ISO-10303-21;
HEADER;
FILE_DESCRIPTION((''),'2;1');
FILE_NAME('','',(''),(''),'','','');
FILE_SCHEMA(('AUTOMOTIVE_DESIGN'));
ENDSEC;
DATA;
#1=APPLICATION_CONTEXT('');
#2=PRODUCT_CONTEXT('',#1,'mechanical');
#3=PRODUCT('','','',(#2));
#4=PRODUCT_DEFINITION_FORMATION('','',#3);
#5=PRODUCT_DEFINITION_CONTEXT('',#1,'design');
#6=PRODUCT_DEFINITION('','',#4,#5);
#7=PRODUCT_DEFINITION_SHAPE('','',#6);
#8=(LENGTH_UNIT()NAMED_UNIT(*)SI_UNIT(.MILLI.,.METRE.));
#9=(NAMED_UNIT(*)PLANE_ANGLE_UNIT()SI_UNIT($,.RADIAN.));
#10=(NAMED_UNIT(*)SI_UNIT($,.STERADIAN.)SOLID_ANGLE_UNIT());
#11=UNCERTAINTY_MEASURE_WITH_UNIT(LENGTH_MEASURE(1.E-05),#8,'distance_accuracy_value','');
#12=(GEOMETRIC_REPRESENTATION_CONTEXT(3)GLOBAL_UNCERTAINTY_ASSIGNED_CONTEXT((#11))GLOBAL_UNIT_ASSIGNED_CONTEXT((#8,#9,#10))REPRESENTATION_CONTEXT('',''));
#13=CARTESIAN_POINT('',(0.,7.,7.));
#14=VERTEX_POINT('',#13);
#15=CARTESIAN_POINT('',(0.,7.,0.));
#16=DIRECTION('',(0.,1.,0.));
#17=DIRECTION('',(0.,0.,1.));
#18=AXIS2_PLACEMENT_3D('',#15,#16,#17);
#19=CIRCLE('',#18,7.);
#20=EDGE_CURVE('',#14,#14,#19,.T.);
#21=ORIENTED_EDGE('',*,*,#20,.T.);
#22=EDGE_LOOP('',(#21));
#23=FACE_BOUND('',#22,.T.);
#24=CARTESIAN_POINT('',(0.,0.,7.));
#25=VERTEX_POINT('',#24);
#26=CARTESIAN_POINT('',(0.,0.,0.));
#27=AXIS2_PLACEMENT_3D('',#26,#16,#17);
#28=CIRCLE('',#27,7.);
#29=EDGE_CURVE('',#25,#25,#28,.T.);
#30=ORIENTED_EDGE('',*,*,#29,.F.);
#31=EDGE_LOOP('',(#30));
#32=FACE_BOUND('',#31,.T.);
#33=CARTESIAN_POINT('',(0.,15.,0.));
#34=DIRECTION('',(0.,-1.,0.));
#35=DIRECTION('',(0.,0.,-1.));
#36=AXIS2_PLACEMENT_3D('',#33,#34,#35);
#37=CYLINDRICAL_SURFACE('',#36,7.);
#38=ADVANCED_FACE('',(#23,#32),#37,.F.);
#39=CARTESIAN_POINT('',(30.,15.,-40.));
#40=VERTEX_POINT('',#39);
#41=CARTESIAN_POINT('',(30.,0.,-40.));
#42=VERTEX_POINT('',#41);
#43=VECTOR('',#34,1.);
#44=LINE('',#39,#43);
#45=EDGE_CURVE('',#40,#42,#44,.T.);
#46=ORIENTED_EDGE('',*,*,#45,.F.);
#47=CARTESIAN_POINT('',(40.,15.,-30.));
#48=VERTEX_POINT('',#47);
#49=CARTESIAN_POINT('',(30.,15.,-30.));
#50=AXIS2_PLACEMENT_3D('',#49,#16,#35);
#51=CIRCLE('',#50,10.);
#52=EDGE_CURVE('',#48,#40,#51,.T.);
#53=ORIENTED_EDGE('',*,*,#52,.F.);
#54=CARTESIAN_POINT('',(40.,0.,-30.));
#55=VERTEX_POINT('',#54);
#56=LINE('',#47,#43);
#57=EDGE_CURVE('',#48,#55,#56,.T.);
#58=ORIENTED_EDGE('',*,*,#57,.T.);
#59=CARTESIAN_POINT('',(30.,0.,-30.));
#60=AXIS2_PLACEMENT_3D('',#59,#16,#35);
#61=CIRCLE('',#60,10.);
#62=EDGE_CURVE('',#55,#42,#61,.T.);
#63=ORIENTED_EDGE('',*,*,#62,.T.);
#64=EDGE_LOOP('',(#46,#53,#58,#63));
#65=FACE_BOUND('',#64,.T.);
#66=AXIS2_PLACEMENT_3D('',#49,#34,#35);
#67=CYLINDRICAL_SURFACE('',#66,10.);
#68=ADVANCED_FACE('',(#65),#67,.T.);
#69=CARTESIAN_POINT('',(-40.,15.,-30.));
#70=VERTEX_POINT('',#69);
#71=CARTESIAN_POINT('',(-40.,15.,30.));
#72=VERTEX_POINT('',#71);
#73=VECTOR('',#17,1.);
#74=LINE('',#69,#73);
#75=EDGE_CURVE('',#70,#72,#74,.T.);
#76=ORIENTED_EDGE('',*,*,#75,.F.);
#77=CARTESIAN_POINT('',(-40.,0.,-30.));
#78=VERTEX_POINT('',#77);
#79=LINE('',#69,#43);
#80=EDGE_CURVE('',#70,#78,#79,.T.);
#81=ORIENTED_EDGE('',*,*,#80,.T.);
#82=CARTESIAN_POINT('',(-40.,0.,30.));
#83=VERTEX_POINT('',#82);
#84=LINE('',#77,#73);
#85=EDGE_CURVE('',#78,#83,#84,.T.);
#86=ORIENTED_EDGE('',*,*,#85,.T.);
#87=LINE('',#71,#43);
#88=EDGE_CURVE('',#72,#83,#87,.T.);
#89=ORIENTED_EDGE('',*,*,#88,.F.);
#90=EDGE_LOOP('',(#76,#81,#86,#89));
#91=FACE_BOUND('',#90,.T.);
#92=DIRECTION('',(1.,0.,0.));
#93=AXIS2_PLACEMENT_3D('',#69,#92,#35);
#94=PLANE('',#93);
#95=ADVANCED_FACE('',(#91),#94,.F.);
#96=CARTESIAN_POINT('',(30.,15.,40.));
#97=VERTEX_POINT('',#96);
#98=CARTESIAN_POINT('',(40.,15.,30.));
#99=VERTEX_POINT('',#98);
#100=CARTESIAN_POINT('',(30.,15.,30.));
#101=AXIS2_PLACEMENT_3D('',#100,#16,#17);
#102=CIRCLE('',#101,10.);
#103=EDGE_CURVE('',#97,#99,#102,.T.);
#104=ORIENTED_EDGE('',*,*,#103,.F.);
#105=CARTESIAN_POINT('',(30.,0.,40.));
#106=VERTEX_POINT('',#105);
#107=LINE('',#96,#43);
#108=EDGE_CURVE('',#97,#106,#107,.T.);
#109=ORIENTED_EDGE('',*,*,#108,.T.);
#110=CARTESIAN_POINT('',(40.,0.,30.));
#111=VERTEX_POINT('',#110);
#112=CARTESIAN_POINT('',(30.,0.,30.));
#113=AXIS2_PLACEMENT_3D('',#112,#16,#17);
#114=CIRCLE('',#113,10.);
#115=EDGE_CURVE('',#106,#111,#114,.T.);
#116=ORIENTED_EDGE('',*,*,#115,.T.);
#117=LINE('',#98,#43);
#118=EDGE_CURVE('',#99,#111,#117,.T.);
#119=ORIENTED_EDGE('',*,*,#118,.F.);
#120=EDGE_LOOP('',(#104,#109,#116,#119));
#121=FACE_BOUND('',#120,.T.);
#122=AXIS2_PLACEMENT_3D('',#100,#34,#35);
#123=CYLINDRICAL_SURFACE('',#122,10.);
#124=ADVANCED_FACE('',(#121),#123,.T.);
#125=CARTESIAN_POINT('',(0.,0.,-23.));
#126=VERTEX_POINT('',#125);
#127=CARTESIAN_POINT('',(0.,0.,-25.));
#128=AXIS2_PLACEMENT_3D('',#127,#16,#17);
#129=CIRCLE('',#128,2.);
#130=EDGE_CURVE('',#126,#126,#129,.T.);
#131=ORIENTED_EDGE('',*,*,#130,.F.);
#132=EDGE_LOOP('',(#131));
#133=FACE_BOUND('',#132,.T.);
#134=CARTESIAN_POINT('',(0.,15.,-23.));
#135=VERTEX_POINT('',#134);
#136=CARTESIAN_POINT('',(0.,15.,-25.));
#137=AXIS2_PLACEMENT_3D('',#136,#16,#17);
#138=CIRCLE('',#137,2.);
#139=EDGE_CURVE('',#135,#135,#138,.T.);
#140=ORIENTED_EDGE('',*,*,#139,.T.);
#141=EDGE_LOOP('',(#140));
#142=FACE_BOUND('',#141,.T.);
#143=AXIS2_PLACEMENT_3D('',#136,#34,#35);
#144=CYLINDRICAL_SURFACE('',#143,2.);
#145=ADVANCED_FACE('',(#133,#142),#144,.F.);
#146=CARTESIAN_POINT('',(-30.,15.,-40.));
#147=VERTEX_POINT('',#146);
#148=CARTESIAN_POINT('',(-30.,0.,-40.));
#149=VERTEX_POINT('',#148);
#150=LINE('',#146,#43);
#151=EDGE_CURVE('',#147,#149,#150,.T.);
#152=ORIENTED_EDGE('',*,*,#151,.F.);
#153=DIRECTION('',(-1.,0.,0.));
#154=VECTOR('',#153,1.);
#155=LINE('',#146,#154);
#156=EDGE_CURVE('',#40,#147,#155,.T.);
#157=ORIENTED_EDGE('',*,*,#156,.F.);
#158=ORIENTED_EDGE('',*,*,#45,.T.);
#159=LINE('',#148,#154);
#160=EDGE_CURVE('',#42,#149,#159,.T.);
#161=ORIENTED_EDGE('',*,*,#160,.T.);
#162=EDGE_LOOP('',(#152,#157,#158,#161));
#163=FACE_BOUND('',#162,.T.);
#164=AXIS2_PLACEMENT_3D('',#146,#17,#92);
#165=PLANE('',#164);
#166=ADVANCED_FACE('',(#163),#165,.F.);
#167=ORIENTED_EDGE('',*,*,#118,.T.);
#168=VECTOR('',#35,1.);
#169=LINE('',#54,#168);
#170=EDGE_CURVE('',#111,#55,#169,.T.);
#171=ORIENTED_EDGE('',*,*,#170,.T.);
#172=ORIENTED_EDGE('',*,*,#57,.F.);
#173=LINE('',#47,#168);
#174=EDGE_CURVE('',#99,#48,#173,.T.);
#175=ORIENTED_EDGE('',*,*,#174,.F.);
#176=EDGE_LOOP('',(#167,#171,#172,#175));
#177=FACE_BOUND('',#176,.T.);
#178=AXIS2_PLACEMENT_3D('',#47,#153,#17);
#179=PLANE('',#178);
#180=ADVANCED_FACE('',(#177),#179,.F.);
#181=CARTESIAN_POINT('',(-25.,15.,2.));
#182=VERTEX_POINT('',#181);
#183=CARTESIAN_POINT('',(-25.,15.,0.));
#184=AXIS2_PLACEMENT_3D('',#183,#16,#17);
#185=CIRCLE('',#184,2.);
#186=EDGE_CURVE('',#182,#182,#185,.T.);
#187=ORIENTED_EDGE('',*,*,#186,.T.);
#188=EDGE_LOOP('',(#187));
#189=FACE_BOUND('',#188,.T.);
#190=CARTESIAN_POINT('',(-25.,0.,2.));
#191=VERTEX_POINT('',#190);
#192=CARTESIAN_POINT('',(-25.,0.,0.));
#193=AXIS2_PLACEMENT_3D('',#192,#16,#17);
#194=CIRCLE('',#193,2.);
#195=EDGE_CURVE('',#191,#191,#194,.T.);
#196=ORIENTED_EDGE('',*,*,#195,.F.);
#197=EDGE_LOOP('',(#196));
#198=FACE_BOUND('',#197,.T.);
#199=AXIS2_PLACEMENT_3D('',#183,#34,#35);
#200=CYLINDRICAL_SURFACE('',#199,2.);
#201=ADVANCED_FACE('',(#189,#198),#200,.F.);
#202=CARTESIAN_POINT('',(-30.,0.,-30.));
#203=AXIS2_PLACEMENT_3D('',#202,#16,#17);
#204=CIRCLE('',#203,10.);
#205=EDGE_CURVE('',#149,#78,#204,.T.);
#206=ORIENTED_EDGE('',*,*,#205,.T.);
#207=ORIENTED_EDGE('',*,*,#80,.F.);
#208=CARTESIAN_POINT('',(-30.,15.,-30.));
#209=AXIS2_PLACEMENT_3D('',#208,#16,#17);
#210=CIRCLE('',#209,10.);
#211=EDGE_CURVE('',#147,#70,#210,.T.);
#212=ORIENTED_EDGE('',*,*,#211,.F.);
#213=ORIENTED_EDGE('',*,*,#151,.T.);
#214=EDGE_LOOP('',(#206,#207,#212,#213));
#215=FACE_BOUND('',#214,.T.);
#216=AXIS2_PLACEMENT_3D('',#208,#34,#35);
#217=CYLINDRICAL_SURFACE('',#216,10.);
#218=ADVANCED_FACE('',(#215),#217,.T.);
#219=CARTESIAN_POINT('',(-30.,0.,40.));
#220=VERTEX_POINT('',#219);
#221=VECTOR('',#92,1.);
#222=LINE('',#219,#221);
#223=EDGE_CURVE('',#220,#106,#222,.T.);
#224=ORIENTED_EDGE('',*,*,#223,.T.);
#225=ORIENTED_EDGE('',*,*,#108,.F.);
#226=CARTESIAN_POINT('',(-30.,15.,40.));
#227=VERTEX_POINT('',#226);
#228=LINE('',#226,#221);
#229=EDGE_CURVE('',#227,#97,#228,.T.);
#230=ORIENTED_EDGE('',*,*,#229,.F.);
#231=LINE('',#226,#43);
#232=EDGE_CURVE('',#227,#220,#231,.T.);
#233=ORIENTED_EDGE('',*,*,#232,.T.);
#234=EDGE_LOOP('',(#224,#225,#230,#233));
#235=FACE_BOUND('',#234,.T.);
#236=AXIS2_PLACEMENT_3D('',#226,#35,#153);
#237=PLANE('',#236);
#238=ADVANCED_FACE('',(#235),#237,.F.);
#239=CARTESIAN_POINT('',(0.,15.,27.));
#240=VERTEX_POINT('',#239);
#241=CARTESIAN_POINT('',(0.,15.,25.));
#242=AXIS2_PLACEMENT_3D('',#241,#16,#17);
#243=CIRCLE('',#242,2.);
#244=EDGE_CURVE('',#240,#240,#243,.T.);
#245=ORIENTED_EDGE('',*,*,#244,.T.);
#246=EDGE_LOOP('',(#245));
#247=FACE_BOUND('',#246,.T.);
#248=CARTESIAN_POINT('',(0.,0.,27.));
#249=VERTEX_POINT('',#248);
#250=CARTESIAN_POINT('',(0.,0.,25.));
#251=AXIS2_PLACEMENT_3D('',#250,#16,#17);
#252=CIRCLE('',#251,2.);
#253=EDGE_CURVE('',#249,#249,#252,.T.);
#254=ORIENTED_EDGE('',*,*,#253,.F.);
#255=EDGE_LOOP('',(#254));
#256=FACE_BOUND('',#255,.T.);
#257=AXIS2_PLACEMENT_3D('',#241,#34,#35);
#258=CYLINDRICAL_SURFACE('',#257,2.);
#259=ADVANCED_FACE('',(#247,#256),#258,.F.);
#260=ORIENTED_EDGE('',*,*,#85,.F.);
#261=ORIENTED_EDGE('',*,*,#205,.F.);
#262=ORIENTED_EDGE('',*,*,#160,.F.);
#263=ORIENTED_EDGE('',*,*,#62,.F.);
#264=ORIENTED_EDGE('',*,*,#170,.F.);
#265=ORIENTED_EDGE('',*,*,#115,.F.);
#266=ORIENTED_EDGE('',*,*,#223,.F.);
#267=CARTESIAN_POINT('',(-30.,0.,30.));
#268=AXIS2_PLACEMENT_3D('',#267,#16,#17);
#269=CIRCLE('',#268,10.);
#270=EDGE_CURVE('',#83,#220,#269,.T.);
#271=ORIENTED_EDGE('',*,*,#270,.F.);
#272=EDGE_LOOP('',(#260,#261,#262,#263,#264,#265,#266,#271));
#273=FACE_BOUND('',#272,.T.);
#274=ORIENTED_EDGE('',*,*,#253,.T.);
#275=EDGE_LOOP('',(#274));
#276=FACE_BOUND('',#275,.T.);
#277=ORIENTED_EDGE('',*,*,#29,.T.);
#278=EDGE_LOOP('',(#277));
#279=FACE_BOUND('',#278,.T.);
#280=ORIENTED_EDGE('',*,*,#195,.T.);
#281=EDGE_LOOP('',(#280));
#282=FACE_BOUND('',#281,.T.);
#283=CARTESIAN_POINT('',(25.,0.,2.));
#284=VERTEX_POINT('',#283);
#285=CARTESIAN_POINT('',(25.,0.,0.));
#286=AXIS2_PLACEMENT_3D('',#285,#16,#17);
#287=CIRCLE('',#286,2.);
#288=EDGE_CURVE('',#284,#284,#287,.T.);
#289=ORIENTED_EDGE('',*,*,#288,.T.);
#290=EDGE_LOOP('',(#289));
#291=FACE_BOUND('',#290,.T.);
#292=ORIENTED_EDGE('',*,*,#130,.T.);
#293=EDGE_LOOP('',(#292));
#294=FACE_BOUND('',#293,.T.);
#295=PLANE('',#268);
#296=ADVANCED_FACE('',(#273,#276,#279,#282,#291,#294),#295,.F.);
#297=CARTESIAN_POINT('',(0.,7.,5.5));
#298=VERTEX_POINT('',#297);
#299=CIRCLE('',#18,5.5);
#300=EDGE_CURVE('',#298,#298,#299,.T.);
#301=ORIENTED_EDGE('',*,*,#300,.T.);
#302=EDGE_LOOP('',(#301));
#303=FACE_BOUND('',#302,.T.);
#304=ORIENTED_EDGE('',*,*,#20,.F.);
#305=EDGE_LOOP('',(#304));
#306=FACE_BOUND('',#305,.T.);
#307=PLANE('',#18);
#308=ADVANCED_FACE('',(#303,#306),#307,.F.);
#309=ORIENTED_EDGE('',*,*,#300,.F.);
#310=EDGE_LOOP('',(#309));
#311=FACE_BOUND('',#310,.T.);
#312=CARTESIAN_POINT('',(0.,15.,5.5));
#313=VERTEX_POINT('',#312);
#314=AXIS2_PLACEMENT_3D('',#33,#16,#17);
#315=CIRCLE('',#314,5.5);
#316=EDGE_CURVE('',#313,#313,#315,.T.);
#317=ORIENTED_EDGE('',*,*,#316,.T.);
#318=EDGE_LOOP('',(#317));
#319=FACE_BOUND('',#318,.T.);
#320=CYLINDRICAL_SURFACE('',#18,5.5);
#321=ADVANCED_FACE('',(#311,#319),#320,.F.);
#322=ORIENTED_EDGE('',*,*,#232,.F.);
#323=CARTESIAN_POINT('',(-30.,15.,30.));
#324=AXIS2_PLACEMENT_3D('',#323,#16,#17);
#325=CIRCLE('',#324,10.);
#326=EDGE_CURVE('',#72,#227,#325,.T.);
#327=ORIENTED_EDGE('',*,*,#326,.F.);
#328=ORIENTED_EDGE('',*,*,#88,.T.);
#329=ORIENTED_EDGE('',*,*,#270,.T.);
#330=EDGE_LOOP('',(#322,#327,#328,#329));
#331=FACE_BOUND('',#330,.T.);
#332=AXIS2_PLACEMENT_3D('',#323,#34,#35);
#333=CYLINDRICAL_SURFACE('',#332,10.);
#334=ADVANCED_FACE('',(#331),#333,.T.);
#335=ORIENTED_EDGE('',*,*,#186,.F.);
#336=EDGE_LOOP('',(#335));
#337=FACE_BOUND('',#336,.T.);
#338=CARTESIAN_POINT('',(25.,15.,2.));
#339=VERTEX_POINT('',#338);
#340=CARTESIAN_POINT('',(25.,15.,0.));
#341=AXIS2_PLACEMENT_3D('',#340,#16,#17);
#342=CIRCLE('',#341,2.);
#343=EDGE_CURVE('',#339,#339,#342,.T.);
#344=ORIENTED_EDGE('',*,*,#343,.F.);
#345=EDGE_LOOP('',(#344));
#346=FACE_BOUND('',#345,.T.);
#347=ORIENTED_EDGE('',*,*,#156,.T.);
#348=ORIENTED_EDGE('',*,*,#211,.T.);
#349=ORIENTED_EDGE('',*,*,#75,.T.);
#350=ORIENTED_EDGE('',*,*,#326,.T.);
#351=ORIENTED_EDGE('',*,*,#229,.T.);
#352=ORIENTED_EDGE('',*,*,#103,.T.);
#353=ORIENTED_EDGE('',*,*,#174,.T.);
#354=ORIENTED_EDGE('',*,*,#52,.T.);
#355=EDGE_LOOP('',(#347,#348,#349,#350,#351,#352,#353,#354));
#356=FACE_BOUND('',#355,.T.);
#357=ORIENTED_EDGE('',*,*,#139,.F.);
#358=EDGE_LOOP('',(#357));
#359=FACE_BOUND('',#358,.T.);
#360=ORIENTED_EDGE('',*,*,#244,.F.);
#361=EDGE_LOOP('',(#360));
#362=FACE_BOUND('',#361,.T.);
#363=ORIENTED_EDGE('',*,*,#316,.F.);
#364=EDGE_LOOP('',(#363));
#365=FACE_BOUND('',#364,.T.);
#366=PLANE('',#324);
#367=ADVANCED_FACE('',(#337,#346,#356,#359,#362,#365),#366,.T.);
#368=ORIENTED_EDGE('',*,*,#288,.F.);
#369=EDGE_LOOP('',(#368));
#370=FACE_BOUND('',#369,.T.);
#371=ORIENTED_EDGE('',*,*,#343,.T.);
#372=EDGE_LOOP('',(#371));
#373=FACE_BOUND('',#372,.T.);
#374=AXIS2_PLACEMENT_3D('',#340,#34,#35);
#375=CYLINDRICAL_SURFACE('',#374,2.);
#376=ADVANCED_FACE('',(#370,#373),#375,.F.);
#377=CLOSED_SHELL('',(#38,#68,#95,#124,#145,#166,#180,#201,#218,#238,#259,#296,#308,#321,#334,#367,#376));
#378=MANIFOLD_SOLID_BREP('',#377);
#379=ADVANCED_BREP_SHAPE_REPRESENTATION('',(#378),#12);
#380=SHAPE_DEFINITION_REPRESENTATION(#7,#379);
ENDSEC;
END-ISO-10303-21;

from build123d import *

# Parameters (mm, degrees)
SKETCH1_R           = 7
SKETCH1_R_2         = 2
BOSS_EXTRUDE1_DEPTH = 15
BOSS_EXTRUDE2_START = -8
SKETCH2_R           = 7
SKETCH2_R_2         = 5.5
BOSS_EXTRUDE2_DEPTH = 8


with BuildPart() as part:
    # Sketch1 → Boss-Extrude1 (new body)
    with BuildSketch(Plane(origin=(0, 0, 0), x_dir=(1, 0, 0), z_dir=(0, 1, 0))):
        with BuildLine():
            Line((-30, 40), (30, 40))
            ThreePointArc((30, 40), (37.071067812, 37.071067812), (40, 30))
            Line((40, 30), (40, -30))
            ThreePointArc((40, -30), (37.071067812, -37.071067812), (30, -40))
            Line((30, -40), (-30, -40))
            ThreePointArc((-30, -40), (-37.071067812, -37.071067812), (-40, -30))
            Line((-40, -30), (-40, 30))
            ThreePointArc((-40, 30), (-37.071067812, 37.071067812), (-30, 40))
        make_face()
        with Locations(Location((0, 0, 0), (0, 0, 270))):
            Circle(SKETCH1_R, mode=Mode.SUBTRACT)
        with Locations(Location((0, 25, 0), (0, 0, 270))):
            Circle(SKETCH1_R_2, mode=Mode.SUBTRACT)
        with Locations(Location((0, -25, 0), (0, 0, 270))):
            Circle(SKETCH1_R_2, mode=Mode.SUBTRACT)
        with Locations(Location((-25, 0, 0), (0, 0, 270))):
            Circle(SKETCH1_R_2, mode=Mode.SUBTRACT)
        with Locations(Location((25, 0, 0), (0, 0, 270))):
            Circle(SKETCH1_R_2, mode=Mode.SUBTRACT)
    extrude(amount=BOSS_EXTRUDE1_DEPTH)

    # Sketch2 → Boss-Extrude2 (add)
    with BuildSketch(Plane(origin=(0, 15, 0), x_dir=(1, 0, 0), z_dir=(0, 1, 0)).offset(BOSS_EXTRUDE2_START)):
        with Locations(Location((0, 0, 0), (0, 0, 270))):
            Circle(SKETCH2_R)
        with Locations(Location((0, 0, 0), (0, 0, 270))):
            Circle(SKETCH2_R_2, mode=Mode.SUBTRACT)
    extrude(amount=BOSS_EXTRUDE2_DEPTH)


solid = part.part
